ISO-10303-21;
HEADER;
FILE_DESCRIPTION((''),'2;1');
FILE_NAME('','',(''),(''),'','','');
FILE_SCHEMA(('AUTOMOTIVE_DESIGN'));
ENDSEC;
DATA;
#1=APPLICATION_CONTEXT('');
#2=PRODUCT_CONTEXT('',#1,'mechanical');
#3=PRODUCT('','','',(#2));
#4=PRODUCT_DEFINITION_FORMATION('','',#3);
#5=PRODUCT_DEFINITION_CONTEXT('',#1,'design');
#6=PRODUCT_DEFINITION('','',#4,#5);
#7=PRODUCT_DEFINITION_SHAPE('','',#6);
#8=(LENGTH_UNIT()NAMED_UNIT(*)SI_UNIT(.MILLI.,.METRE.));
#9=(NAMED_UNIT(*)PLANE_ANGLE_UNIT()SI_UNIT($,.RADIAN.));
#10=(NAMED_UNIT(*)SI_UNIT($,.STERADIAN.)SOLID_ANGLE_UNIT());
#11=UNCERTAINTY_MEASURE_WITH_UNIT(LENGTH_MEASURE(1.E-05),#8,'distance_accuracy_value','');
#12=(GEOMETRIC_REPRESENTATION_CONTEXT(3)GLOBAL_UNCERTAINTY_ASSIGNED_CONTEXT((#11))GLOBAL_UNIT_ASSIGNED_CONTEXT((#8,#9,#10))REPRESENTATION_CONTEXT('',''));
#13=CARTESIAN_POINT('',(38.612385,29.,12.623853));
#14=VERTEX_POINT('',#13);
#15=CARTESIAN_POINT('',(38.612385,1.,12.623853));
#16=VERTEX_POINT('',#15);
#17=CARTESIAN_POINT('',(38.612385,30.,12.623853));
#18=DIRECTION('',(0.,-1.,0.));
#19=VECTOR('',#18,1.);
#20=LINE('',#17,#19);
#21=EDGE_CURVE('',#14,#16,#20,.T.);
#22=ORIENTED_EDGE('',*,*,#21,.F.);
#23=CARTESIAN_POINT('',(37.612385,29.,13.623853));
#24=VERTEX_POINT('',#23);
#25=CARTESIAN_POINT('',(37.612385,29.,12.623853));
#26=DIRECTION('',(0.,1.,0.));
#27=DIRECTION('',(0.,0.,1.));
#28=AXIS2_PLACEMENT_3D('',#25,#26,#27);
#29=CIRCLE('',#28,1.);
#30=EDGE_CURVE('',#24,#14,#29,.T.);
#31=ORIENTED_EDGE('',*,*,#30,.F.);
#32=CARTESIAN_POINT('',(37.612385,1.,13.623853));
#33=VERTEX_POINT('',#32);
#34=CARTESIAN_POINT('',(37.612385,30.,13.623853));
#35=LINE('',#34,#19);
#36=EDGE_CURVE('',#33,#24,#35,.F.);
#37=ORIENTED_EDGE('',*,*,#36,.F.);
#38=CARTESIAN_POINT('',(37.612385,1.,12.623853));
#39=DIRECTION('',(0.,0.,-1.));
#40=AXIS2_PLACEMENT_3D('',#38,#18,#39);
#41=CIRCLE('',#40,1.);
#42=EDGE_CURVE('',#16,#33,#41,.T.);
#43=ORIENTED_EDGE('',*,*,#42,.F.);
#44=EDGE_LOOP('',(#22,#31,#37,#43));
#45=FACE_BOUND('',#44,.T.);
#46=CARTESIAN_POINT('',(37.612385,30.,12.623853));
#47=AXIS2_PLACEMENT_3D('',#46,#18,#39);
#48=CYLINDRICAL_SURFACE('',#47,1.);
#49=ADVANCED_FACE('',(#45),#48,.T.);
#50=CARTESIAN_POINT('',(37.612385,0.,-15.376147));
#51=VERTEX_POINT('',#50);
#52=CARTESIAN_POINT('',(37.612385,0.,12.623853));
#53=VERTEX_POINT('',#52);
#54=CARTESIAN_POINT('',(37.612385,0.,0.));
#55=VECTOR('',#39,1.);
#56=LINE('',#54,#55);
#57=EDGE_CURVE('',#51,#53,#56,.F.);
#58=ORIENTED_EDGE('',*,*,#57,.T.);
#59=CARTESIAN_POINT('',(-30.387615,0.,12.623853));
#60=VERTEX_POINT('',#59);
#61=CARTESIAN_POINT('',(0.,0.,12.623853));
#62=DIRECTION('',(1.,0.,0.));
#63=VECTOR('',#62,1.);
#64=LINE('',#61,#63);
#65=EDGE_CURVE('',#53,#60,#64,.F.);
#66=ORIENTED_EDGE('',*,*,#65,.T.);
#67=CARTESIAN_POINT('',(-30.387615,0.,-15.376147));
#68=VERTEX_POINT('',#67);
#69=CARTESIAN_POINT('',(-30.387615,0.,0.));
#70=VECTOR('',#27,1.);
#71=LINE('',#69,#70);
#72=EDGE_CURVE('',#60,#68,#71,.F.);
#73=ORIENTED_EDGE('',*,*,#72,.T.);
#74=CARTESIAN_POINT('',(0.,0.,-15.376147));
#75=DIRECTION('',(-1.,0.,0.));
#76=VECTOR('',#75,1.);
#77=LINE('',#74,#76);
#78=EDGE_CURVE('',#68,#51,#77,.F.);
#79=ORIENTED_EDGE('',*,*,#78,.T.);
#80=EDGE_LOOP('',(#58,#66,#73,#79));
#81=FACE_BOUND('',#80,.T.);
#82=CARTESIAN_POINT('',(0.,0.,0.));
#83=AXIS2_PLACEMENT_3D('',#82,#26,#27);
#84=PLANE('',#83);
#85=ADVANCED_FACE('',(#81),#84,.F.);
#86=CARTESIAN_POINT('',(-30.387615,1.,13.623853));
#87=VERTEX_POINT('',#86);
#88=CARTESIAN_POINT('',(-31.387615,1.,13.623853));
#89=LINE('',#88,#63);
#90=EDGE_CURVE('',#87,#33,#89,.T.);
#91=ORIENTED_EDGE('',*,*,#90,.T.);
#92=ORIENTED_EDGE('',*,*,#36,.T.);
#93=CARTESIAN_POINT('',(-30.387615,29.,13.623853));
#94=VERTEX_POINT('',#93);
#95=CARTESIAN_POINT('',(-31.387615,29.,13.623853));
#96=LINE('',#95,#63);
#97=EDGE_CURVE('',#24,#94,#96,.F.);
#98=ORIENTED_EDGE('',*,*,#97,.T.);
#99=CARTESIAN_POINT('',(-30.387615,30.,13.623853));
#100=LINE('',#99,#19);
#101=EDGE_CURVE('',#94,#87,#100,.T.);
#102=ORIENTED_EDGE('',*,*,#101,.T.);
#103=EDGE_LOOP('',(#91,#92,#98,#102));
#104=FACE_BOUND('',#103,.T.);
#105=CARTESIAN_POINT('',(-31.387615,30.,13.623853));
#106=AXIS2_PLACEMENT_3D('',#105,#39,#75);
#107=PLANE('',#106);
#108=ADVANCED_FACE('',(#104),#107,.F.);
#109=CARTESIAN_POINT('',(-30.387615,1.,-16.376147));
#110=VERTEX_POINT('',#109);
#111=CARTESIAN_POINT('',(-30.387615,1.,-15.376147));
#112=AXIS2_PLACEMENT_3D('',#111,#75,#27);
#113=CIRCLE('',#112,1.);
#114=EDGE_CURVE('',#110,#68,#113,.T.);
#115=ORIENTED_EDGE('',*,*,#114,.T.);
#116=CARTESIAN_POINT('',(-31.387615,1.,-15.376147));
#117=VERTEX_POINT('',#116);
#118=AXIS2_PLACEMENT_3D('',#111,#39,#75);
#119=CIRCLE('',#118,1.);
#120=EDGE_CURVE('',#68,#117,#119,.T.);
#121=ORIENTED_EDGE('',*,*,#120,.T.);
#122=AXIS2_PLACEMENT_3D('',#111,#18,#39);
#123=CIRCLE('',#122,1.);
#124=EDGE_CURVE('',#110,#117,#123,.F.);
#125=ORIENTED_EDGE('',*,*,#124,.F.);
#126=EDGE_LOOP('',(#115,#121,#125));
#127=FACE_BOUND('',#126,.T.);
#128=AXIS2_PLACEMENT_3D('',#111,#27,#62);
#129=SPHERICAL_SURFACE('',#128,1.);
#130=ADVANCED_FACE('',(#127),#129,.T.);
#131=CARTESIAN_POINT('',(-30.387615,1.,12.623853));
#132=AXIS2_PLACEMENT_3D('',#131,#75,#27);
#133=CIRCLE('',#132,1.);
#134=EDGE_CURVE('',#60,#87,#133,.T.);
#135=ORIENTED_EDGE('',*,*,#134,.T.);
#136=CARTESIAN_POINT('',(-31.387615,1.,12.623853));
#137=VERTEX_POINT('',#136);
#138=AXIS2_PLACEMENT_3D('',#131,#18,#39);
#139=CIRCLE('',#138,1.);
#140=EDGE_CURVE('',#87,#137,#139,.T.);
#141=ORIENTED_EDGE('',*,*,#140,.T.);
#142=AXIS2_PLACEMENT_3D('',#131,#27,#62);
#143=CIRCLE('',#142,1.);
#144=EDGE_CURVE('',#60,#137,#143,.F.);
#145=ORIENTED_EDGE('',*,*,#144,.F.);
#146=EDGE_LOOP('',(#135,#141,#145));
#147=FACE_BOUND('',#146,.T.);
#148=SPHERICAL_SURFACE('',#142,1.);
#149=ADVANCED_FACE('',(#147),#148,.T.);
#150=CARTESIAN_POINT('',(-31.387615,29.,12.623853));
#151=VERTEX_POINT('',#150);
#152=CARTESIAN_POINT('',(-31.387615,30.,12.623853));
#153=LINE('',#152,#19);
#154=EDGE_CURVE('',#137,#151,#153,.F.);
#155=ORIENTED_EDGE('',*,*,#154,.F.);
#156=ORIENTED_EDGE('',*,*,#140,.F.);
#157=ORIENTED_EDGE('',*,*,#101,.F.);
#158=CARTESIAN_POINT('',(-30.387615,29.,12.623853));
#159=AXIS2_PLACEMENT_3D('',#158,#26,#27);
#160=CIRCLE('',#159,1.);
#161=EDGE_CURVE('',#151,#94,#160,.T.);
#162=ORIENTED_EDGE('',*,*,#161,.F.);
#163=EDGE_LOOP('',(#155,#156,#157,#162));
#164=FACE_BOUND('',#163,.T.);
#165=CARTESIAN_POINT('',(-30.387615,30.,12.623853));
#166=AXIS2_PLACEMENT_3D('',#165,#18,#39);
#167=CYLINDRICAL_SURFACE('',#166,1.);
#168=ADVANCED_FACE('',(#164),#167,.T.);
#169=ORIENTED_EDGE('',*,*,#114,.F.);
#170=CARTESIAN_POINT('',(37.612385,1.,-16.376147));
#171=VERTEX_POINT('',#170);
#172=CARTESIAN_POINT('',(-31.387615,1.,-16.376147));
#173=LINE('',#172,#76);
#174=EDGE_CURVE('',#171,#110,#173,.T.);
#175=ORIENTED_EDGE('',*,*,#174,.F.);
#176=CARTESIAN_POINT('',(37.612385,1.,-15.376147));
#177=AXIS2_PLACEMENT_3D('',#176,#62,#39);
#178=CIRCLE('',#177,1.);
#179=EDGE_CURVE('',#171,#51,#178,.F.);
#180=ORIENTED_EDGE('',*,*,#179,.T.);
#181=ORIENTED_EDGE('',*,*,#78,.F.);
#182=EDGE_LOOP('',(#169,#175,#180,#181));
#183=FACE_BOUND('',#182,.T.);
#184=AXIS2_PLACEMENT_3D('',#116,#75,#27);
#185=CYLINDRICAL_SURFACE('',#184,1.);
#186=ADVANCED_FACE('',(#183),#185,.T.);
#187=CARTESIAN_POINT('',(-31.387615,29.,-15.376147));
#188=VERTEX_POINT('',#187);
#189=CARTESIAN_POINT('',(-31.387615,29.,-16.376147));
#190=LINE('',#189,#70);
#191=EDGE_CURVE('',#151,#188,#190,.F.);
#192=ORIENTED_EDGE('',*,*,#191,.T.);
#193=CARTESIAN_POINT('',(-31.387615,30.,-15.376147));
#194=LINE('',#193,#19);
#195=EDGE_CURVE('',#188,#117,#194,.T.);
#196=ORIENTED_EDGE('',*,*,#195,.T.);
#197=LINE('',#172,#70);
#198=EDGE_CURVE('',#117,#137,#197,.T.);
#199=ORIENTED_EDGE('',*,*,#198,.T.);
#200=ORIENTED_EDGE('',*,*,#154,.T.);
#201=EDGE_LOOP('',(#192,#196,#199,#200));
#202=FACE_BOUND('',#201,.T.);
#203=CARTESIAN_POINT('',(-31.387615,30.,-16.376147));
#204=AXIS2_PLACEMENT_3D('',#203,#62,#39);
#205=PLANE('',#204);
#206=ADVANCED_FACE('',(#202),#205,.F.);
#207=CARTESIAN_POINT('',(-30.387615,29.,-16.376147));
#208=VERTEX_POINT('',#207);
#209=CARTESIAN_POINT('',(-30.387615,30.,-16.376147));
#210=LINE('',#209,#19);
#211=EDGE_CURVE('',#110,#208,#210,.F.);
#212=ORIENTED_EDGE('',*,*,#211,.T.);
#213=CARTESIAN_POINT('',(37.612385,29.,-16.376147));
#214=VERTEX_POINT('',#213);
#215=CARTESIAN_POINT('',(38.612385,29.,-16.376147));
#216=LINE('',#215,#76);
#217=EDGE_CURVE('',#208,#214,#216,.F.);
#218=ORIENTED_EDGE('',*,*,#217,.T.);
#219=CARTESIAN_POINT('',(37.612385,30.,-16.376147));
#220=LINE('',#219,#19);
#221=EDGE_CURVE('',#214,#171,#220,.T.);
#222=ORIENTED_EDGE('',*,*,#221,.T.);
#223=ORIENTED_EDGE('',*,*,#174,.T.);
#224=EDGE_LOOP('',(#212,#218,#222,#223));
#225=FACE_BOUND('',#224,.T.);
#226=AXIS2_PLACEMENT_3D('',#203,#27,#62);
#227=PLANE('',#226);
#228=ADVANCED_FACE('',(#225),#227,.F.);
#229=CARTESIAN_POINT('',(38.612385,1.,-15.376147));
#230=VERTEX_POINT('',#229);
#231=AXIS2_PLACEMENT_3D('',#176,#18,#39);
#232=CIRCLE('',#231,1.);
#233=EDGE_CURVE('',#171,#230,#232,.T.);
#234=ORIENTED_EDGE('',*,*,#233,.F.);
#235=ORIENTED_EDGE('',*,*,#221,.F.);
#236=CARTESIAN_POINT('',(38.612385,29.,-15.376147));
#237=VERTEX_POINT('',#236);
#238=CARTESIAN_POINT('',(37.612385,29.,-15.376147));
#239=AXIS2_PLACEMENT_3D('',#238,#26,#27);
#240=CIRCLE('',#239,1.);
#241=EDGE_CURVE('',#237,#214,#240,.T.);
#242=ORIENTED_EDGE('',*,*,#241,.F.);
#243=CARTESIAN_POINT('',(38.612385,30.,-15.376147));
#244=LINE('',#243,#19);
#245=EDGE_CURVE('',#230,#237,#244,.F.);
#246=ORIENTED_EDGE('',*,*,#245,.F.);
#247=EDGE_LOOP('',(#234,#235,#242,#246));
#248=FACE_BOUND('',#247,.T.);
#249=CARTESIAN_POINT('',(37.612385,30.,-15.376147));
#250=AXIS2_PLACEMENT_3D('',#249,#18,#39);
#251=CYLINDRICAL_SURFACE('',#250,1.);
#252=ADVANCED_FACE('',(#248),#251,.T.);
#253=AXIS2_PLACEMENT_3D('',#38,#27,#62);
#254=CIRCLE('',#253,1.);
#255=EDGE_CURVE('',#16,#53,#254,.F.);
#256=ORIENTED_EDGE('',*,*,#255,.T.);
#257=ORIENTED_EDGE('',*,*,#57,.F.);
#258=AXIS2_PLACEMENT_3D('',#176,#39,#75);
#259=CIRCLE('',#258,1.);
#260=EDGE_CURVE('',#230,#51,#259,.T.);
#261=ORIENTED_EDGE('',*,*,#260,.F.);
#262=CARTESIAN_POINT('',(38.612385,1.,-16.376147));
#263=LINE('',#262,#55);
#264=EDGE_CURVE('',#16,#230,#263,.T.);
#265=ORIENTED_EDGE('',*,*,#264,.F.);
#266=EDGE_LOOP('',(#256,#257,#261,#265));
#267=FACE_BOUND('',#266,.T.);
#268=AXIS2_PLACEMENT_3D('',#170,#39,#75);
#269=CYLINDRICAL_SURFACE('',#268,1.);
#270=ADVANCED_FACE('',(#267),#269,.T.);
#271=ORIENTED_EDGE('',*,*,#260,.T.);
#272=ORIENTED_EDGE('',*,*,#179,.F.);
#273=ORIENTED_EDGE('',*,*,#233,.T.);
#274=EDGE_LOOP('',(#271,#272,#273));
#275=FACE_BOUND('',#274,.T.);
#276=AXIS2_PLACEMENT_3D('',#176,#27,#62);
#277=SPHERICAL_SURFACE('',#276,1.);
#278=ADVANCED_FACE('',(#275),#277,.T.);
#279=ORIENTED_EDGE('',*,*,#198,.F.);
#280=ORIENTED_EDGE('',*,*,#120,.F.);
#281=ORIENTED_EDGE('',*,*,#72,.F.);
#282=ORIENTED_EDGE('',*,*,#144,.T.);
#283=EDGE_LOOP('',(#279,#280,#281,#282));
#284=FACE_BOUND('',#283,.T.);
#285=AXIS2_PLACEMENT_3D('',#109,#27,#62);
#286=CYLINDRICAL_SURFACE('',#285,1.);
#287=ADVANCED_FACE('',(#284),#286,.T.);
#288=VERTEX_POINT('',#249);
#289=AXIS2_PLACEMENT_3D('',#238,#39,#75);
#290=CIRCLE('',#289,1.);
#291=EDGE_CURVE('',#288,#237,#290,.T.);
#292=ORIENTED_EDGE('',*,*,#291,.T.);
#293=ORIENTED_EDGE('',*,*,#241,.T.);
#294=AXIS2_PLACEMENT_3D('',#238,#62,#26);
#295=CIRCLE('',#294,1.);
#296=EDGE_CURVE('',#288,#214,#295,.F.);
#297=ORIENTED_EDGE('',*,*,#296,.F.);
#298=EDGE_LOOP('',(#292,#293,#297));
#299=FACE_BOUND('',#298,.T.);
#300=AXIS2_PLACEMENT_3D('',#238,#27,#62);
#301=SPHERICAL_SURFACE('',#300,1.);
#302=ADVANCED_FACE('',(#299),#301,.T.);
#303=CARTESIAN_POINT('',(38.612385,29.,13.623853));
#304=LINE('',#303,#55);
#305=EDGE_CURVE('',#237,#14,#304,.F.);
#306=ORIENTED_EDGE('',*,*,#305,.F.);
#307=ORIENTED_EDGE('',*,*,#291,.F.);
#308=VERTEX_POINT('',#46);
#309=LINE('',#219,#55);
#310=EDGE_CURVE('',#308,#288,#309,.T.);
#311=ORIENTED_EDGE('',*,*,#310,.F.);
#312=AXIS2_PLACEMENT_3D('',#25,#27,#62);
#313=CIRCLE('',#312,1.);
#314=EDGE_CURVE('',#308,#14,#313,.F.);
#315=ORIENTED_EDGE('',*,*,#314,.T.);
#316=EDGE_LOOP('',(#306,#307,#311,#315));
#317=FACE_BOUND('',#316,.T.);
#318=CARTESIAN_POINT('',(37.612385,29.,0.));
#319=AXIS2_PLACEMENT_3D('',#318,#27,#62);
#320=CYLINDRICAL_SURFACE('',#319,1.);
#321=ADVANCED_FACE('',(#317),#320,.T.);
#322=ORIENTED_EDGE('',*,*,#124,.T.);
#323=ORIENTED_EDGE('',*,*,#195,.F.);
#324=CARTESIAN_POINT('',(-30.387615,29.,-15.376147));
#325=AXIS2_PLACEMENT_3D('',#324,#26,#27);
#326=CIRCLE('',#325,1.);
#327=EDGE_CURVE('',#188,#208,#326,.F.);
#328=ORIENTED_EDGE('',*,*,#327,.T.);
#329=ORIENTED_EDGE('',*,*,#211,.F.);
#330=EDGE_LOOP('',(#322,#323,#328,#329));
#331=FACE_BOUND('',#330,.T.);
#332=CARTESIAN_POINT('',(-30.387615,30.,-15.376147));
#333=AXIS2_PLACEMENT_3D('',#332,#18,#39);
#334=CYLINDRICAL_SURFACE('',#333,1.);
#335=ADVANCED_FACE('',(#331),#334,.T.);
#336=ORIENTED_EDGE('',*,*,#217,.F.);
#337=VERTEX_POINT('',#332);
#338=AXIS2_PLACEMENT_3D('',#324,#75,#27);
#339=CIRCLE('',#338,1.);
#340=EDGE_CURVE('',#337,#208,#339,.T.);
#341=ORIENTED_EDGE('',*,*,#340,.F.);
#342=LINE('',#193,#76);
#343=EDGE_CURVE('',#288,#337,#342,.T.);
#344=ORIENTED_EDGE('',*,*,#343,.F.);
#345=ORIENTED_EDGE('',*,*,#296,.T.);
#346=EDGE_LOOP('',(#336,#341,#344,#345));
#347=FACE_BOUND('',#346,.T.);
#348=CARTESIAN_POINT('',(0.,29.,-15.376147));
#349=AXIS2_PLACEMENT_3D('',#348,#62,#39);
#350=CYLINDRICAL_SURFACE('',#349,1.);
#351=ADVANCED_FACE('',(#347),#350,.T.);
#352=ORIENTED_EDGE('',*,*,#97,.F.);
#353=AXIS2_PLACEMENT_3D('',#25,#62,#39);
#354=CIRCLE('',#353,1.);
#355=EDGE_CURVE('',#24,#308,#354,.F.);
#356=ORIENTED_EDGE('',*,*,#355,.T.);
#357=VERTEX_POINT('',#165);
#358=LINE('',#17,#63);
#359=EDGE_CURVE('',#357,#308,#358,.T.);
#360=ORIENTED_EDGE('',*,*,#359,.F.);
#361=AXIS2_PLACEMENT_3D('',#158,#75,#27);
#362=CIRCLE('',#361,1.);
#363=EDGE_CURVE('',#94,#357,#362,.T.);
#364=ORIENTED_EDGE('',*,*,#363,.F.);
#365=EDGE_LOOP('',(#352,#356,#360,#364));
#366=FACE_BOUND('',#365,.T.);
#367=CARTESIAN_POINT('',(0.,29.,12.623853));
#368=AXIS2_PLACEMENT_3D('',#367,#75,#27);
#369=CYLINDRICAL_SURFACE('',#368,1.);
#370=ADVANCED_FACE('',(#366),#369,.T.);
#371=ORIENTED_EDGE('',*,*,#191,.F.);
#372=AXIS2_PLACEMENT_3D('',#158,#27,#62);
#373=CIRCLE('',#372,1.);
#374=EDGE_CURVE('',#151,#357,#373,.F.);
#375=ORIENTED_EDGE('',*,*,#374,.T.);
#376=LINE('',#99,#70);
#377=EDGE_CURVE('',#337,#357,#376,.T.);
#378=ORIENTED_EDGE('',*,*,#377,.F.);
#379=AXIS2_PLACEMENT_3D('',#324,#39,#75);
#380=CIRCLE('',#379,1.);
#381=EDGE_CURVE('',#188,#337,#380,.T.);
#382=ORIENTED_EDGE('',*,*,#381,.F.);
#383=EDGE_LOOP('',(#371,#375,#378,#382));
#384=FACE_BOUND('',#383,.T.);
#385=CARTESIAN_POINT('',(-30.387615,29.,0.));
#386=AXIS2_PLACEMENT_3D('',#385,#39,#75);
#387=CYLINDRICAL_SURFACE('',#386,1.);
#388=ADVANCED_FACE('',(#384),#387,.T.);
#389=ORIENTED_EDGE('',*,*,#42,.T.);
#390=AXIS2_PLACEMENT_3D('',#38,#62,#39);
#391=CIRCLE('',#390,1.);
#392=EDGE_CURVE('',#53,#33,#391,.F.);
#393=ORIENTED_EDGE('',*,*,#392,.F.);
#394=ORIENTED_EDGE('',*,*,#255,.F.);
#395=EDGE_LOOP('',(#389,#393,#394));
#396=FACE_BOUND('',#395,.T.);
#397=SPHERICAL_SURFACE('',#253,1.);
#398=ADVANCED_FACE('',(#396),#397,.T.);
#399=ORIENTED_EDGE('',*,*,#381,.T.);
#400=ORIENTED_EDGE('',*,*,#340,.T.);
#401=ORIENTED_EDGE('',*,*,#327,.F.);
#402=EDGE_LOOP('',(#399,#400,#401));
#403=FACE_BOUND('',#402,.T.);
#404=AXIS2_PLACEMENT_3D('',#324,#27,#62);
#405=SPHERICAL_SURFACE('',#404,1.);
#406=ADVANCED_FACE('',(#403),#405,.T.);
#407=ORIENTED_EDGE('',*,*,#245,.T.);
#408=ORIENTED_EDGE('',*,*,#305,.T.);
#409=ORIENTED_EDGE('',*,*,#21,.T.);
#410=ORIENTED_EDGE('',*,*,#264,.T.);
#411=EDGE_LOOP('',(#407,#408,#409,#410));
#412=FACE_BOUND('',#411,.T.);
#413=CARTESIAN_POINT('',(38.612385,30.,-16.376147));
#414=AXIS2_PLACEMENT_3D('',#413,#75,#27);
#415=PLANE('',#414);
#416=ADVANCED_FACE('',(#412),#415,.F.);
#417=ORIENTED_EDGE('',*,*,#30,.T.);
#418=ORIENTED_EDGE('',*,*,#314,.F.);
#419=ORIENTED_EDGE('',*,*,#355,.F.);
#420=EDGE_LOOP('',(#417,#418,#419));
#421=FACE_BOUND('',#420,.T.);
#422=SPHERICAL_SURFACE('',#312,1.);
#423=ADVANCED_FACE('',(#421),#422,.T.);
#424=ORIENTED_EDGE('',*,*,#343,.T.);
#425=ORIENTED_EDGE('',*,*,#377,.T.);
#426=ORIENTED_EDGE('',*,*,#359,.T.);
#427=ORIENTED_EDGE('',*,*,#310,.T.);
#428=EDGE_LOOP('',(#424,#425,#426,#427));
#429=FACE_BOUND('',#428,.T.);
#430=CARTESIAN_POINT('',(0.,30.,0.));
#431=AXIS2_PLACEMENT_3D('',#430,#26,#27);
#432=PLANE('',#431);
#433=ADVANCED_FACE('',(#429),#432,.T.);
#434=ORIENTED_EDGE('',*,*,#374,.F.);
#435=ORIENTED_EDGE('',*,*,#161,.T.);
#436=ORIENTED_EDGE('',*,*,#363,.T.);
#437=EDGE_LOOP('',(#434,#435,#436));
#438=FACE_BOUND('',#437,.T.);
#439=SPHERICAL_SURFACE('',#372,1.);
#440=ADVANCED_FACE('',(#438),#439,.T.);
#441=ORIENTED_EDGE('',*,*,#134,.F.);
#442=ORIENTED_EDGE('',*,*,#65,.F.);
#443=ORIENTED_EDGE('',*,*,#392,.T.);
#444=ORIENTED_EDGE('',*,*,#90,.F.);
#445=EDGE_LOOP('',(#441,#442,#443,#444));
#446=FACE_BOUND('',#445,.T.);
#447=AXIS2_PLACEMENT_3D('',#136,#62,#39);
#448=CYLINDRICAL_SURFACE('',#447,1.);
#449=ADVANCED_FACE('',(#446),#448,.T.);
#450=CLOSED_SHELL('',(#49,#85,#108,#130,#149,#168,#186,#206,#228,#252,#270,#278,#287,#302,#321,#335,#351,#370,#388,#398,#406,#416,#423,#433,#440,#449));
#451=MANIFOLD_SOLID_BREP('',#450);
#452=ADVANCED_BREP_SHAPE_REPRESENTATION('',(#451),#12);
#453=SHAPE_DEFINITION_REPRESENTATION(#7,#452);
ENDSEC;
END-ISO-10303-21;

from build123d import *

# Parameters (mm, degrees)
SKETCH1_W           = 70
SKETCH1_H           = 30
BOSS_EXTRUDE1_DEPTH = 30
FILLET1_R           = 1


with BuildPart() as part:
    # Sketch1 → Boss-Extrude1 (new body)
    with BuildSketch(Plane(origin=(0, 0, 0), x_dir=(1, 0, 0), z_dir=(0, 1, 0))):
        with Locations((3.612385321, 1.376146789)):
            Rectangle(SKETCH1_W, SKETCH1_H)
    extrude(amount=BOSS_EXTRUDE1_DEPTH)

    # Fillet1
    fillet1_edges = [part.edges().sort_by_distance(p)[0] for p in [
        (38.612385321, 30, -1.376146789),
        (3.612385321, 30, -16.376146789),
        (-31.387614679, 30, -1.376146789),
        (3.612385321, 0, -16.376146789),
        (38.612385321, 0, -1.376146789),
        (3.612385321, 0, 13.623853211),
        (-31.387614679, 0, -1.376146789),
        (3.612385321, 30, 13.623853211),
        (-31.387614679, 15, -16.376146789),
        (38.612385321, 15, -16.376146789),
        (38.612385321, 15, 13.623853211),
        (-31.387614679, 15, 13.623853211),
    ]]
    fillet(fillet1_edges, radius=FILLET1_R)


solid = part.part
